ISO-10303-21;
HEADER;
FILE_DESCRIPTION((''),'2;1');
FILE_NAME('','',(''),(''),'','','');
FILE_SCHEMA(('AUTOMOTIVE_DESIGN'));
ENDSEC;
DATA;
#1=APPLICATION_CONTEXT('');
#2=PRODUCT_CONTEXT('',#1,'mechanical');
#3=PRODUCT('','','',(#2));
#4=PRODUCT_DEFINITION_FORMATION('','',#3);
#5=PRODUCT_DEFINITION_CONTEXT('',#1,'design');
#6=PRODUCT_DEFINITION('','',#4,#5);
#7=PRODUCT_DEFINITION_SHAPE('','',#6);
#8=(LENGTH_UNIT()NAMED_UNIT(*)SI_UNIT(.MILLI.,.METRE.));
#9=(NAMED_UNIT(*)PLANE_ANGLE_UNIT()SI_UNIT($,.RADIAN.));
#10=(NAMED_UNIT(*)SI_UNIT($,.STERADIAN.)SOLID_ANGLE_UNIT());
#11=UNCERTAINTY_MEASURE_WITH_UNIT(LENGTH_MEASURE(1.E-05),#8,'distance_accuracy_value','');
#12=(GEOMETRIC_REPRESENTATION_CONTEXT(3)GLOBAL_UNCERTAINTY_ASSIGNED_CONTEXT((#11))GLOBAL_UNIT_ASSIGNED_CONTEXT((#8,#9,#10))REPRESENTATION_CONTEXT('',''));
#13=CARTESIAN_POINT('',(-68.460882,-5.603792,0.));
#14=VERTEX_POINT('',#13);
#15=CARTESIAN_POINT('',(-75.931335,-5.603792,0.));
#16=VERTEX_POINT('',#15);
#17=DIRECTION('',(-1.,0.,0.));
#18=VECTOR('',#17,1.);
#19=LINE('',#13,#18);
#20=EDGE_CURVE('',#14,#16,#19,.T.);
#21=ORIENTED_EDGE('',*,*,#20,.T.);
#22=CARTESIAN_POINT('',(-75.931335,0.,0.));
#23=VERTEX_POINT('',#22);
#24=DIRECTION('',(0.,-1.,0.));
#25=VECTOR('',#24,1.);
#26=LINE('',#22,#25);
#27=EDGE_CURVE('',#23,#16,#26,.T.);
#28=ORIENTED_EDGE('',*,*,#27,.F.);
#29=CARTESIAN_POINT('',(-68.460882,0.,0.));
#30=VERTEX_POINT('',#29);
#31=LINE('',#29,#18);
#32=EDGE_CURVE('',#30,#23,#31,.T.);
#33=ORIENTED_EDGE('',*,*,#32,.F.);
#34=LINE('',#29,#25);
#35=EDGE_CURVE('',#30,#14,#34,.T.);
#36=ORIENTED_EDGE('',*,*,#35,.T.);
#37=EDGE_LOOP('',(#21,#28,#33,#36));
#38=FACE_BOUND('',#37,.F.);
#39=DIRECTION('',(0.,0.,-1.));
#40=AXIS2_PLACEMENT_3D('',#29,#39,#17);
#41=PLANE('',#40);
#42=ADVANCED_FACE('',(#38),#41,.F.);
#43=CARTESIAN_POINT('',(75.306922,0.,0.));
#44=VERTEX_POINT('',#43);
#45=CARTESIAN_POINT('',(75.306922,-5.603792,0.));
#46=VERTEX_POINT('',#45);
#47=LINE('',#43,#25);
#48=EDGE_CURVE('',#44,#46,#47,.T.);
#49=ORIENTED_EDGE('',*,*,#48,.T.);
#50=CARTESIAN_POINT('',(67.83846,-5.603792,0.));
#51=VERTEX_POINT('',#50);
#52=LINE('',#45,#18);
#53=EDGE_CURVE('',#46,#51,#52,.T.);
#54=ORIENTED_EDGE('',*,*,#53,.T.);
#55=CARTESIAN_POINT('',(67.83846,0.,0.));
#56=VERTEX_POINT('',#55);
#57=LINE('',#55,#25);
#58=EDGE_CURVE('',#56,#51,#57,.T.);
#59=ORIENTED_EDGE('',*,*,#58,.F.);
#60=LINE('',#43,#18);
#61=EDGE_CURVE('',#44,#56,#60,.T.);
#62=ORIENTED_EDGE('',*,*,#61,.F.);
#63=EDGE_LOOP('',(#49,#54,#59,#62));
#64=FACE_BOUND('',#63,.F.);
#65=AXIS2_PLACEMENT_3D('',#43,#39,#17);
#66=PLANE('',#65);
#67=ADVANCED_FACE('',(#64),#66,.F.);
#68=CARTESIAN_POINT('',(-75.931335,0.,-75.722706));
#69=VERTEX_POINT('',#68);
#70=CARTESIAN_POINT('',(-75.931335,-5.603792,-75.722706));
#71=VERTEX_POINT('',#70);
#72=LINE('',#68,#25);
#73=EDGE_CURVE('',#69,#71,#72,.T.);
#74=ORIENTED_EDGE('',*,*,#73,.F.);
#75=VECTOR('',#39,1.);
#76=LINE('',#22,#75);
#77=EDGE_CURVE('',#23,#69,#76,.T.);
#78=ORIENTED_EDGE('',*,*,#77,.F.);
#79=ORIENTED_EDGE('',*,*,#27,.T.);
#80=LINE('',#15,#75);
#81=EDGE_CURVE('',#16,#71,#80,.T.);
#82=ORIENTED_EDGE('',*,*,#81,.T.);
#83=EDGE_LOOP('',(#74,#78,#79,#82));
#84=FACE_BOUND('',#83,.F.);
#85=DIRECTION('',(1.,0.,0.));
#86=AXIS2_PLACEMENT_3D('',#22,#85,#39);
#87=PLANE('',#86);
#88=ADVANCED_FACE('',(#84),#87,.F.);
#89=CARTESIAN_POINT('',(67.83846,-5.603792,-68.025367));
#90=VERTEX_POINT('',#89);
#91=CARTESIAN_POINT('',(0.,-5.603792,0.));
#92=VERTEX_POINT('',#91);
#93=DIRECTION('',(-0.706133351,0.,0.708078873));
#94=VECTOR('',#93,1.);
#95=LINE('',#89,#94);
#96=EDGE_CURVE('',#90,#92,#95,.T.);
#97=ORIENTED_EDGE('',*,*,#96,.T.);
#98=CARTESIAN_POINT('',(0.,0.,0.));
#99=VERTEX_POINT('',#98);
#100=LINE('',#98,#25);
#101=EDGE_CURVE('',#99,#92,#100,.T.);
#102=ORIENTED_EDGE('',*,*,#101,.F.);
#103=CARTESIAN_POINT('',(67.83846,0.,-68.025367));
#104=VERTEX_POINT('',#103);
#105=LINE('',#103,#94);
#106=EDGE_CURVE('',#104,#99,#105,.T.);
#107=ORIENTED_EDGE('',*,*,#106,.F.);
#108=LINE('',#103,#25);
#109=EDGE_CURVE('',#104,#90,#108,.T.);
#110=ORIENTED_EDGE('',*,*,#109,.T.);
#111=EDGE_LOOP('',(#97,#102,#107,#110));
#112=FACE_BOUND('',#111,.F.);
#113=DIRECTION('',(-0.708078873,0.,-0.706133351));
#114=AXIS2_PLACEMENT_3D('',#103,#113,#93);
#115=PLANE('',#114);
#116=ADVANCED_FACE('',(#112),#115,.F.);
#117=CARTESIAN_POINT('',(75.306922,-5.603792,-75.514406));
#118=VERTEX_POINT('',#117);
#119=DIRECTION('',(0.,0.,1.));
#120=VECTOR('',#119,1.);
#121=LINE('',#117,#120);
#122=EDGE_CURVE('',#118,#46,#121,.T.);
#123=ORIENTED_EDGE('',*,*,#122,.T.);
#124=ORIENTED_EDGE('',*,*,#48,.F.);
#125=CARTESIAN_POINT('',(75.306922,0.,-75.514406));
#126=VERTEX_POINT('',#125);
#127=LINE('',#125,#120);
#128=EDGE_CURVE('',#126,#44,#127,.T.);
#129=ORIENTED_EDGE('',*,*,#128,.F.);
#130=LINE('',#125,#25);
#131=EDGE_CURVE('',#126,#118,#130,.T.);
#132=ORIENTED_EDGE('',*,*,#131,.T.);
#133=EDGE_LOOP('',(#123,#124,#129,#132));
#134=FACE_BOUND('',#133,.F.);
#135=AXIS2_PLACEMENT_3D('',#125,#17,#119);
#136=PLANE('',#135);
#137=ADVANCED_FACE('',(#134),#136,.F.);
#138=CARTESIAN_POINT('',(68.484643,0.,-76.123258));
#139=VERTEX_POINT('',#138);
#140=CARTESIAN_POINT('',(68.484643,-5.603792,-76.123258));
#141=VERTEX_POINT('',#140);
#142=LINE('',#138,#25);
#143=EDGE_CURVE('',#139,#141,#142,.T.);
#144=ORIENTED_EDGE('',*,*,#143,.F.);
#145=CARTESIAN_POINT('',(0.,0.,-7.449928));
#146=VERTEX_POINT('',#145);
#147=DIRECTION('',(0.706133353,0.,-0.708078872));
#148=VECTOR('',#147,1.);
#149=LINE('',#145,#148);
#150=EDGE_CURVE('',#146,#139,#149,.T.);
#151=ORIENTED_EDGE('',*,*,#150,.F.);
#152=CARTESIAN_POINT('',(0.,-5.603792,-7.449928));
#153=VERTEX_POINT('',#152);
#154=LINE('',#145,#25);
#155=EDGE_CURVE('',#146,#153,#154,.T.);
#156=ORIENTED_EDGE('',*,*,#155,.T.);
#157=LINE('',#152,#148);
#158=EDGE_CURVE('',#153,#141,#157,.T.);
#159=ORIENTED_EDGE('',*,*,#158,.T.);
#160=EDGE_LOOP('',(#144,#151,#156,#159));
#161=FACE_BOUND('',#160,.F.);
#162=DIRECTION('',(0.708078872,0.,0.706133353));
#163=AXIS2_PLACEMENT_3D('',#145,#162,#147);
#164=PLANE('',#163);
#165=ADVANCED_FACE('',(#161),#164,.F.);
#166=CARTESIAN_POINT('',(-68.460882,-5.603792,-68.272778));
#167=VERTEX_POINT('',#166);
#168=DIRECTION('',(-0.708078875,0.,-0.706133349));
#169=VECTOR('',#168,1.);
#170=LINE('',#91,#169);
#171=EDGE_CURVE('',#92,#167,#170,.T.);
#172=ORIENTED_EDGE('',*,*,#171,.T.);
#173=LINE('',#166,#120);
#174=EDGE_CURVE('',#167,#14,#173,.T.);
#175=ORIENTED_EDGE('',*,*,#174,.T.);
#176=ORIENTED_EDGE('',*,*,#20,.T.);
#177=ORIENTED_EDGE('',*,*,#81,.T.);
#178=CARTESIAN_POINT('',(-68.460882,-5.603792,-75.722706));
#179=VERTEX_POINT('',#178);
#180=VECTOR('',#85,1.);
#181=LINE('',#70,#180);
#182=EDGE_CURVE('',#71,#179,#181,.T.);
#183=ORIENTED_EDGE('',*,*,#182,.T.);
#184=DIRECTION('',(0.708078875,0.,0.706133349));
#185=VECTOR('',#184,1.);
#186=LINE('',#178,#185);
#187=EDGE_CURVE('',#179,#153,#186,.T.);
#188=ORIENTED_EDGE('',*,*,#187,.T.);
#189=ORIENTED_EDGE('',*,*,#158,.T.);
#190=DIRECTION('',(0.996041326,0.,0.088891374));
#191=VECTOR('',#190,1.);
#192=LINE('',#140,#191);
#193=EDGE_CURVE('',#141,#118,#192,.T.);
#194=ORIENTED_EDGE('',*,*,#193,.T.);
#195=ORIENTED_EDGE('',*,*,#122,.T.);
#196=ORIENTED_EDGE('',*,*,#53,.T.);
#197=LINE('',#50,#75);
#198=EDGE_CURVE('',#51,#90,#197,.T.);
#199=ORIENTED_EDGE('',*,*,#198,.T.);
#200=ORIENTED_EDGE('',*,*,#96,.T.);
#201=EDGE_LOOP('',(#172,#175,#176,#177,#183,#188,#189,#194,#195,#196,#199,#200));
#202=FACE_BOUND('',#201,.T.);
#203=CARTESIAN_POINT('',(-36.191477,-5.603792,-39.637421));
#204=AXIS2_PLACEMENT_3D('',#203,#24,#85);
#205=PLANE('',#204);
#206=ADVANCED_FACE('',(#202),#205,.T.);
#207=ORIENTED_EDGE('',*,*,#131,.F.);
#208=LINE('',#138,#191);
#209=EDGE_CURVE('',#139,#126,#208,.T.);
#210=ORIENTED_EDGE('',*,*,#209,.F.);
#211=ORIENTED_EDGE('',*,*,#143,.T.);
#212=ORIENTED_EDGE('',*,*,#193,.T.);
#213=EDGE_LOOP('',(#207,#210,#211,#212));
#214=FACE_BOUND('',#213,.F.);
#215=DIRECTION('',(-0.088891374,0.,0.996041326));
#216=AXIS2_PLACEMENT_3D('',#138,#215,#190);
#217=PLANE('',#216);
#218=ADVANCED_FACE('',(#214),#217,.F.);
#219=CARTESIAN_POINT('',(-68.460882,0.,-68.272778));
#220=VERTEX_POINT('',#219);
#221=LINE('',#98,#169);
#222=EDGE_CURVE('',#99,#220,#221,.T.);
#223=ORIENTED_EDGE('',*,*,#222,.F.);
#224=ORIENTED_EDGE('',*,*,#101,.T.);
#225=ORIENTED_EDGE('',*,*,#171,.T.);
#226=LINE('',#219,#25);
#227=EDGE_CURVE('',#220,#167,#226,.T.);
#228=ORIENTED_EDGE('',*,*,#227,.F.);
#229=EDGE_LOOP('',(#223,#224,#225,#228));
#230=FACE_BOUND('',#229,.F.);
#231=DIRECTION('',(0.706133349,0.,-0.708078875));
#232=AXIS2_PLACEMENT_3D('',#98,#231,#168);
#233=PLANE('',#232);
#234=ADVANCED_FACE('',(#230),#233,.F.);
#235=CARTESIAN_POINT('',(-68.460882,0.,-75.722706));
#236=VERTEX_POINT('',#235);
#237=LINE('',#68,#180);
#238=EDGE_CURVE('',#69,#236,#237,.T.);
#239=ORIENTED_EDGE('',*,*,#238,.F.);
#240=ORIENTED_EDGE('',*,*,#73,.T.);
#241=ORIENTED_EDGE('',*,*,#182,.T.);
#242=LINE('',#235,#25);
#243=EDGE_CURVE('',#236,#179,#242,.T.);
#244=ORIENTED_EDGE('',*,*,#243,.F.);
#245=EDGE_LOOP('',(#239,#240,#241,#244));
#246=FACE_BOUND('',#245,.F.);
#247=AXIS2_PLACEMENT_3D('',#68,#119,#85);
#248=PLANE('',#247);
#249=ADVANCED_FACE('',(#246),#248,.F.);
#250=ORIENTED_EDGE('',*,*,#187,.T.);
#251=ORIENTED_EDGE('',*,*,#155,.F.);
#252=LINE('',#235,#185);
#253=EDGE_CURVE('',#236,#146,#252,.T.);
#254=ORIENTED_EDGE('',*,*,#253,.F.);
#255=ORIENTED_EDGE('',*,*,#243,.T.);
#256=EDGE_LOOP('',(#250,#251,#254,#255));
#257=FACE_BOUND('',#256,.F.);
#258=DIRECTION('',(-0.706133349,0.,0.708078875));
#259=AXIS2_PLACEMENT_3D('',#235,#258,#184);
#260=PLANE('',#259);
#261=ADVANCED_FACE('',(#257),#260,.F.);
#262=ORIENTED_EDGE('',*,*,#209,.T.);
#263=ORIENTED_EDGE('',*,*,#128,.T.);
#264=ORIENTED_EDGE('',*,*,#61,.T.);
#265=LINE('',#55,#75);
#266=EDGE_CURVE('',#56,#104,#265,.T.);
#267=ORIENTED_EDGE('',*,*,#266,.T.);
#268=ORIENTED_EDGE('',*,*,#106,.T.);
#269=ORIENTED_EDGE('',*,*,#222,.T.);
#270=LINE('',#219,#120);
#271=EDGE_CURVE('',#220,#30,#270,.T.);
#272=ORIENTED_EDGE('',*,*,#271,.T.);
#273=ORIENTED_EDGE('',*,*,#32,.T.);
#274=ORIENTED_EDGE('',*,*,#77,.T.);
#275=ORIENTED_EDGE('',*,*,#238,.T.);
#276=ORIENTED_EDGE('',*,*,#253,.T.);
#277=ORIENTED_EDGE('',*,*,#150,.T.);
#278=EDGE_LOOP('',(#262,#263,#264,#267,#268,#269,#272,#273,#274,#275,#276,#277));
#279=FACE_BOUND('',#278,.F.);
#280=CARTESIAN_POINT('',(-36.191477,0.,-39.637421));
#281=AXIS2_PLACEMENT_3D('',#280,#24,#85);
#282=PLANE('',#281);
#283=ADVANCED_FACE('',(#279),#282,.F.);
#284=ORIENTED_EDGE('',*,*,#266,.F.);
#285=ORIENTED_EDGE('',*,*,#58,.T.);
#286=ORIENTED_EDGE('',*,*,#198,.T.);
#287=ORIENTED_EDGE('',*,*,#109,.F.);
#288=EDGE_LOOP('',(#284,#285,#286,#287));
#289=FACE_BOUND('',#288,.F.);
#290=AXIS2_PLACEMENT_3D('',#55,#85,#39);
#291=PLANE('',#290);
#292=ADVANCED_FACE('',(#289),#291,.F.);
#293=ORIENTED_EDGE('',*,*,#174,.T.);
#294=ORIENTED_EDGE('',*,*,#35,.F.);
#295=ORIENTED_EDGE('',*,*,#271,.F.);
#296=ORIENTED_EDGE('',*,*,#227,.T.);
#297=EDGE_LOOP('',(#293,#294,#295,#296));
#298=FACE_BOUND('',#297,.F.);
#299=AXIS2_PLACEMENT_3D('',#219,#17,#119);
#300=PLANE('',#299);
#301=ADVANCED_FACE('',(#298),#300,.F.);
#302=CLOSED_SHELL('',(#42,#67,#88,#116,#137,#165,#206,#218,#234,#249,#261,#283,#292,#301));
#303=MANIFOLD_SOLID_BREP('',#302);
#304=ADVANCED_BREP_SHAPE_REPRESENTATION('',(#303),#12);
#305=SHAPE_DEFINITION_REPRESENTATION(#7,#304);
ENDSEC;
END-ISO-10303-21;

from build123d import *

# Parameters (mm, degrees)
F1_DEPTH = 5.603792


with BuildPart() as f1:
    # F0 (on Front) → F1 (new body)
    with BuildSketch(Plane.XZ):
        Polygon((0, -7.449928), (0, 0), (-68.460882, -68.272778), (-75.931335, -75.722706), (-68.460882, -75.722706), align=None)
        Polygon((75.306922, 0), (67.83846, 0), (67.83846, -68.025367), (75.306922, -75.514406), align=None)
        Polygon((-75.931335, -75.722706), (-68.460882, -68.272778), (-68.460882, 0), (-75.931335, 0), align=None)
        Polygon((67.83846, -68.025367), (0, 0), (0, -7.449928), (68.484643, -76.123258), (75.306922, -75.514406), align=None)
    extrude(amount=F1_DEPTH)


solid = f1.part
